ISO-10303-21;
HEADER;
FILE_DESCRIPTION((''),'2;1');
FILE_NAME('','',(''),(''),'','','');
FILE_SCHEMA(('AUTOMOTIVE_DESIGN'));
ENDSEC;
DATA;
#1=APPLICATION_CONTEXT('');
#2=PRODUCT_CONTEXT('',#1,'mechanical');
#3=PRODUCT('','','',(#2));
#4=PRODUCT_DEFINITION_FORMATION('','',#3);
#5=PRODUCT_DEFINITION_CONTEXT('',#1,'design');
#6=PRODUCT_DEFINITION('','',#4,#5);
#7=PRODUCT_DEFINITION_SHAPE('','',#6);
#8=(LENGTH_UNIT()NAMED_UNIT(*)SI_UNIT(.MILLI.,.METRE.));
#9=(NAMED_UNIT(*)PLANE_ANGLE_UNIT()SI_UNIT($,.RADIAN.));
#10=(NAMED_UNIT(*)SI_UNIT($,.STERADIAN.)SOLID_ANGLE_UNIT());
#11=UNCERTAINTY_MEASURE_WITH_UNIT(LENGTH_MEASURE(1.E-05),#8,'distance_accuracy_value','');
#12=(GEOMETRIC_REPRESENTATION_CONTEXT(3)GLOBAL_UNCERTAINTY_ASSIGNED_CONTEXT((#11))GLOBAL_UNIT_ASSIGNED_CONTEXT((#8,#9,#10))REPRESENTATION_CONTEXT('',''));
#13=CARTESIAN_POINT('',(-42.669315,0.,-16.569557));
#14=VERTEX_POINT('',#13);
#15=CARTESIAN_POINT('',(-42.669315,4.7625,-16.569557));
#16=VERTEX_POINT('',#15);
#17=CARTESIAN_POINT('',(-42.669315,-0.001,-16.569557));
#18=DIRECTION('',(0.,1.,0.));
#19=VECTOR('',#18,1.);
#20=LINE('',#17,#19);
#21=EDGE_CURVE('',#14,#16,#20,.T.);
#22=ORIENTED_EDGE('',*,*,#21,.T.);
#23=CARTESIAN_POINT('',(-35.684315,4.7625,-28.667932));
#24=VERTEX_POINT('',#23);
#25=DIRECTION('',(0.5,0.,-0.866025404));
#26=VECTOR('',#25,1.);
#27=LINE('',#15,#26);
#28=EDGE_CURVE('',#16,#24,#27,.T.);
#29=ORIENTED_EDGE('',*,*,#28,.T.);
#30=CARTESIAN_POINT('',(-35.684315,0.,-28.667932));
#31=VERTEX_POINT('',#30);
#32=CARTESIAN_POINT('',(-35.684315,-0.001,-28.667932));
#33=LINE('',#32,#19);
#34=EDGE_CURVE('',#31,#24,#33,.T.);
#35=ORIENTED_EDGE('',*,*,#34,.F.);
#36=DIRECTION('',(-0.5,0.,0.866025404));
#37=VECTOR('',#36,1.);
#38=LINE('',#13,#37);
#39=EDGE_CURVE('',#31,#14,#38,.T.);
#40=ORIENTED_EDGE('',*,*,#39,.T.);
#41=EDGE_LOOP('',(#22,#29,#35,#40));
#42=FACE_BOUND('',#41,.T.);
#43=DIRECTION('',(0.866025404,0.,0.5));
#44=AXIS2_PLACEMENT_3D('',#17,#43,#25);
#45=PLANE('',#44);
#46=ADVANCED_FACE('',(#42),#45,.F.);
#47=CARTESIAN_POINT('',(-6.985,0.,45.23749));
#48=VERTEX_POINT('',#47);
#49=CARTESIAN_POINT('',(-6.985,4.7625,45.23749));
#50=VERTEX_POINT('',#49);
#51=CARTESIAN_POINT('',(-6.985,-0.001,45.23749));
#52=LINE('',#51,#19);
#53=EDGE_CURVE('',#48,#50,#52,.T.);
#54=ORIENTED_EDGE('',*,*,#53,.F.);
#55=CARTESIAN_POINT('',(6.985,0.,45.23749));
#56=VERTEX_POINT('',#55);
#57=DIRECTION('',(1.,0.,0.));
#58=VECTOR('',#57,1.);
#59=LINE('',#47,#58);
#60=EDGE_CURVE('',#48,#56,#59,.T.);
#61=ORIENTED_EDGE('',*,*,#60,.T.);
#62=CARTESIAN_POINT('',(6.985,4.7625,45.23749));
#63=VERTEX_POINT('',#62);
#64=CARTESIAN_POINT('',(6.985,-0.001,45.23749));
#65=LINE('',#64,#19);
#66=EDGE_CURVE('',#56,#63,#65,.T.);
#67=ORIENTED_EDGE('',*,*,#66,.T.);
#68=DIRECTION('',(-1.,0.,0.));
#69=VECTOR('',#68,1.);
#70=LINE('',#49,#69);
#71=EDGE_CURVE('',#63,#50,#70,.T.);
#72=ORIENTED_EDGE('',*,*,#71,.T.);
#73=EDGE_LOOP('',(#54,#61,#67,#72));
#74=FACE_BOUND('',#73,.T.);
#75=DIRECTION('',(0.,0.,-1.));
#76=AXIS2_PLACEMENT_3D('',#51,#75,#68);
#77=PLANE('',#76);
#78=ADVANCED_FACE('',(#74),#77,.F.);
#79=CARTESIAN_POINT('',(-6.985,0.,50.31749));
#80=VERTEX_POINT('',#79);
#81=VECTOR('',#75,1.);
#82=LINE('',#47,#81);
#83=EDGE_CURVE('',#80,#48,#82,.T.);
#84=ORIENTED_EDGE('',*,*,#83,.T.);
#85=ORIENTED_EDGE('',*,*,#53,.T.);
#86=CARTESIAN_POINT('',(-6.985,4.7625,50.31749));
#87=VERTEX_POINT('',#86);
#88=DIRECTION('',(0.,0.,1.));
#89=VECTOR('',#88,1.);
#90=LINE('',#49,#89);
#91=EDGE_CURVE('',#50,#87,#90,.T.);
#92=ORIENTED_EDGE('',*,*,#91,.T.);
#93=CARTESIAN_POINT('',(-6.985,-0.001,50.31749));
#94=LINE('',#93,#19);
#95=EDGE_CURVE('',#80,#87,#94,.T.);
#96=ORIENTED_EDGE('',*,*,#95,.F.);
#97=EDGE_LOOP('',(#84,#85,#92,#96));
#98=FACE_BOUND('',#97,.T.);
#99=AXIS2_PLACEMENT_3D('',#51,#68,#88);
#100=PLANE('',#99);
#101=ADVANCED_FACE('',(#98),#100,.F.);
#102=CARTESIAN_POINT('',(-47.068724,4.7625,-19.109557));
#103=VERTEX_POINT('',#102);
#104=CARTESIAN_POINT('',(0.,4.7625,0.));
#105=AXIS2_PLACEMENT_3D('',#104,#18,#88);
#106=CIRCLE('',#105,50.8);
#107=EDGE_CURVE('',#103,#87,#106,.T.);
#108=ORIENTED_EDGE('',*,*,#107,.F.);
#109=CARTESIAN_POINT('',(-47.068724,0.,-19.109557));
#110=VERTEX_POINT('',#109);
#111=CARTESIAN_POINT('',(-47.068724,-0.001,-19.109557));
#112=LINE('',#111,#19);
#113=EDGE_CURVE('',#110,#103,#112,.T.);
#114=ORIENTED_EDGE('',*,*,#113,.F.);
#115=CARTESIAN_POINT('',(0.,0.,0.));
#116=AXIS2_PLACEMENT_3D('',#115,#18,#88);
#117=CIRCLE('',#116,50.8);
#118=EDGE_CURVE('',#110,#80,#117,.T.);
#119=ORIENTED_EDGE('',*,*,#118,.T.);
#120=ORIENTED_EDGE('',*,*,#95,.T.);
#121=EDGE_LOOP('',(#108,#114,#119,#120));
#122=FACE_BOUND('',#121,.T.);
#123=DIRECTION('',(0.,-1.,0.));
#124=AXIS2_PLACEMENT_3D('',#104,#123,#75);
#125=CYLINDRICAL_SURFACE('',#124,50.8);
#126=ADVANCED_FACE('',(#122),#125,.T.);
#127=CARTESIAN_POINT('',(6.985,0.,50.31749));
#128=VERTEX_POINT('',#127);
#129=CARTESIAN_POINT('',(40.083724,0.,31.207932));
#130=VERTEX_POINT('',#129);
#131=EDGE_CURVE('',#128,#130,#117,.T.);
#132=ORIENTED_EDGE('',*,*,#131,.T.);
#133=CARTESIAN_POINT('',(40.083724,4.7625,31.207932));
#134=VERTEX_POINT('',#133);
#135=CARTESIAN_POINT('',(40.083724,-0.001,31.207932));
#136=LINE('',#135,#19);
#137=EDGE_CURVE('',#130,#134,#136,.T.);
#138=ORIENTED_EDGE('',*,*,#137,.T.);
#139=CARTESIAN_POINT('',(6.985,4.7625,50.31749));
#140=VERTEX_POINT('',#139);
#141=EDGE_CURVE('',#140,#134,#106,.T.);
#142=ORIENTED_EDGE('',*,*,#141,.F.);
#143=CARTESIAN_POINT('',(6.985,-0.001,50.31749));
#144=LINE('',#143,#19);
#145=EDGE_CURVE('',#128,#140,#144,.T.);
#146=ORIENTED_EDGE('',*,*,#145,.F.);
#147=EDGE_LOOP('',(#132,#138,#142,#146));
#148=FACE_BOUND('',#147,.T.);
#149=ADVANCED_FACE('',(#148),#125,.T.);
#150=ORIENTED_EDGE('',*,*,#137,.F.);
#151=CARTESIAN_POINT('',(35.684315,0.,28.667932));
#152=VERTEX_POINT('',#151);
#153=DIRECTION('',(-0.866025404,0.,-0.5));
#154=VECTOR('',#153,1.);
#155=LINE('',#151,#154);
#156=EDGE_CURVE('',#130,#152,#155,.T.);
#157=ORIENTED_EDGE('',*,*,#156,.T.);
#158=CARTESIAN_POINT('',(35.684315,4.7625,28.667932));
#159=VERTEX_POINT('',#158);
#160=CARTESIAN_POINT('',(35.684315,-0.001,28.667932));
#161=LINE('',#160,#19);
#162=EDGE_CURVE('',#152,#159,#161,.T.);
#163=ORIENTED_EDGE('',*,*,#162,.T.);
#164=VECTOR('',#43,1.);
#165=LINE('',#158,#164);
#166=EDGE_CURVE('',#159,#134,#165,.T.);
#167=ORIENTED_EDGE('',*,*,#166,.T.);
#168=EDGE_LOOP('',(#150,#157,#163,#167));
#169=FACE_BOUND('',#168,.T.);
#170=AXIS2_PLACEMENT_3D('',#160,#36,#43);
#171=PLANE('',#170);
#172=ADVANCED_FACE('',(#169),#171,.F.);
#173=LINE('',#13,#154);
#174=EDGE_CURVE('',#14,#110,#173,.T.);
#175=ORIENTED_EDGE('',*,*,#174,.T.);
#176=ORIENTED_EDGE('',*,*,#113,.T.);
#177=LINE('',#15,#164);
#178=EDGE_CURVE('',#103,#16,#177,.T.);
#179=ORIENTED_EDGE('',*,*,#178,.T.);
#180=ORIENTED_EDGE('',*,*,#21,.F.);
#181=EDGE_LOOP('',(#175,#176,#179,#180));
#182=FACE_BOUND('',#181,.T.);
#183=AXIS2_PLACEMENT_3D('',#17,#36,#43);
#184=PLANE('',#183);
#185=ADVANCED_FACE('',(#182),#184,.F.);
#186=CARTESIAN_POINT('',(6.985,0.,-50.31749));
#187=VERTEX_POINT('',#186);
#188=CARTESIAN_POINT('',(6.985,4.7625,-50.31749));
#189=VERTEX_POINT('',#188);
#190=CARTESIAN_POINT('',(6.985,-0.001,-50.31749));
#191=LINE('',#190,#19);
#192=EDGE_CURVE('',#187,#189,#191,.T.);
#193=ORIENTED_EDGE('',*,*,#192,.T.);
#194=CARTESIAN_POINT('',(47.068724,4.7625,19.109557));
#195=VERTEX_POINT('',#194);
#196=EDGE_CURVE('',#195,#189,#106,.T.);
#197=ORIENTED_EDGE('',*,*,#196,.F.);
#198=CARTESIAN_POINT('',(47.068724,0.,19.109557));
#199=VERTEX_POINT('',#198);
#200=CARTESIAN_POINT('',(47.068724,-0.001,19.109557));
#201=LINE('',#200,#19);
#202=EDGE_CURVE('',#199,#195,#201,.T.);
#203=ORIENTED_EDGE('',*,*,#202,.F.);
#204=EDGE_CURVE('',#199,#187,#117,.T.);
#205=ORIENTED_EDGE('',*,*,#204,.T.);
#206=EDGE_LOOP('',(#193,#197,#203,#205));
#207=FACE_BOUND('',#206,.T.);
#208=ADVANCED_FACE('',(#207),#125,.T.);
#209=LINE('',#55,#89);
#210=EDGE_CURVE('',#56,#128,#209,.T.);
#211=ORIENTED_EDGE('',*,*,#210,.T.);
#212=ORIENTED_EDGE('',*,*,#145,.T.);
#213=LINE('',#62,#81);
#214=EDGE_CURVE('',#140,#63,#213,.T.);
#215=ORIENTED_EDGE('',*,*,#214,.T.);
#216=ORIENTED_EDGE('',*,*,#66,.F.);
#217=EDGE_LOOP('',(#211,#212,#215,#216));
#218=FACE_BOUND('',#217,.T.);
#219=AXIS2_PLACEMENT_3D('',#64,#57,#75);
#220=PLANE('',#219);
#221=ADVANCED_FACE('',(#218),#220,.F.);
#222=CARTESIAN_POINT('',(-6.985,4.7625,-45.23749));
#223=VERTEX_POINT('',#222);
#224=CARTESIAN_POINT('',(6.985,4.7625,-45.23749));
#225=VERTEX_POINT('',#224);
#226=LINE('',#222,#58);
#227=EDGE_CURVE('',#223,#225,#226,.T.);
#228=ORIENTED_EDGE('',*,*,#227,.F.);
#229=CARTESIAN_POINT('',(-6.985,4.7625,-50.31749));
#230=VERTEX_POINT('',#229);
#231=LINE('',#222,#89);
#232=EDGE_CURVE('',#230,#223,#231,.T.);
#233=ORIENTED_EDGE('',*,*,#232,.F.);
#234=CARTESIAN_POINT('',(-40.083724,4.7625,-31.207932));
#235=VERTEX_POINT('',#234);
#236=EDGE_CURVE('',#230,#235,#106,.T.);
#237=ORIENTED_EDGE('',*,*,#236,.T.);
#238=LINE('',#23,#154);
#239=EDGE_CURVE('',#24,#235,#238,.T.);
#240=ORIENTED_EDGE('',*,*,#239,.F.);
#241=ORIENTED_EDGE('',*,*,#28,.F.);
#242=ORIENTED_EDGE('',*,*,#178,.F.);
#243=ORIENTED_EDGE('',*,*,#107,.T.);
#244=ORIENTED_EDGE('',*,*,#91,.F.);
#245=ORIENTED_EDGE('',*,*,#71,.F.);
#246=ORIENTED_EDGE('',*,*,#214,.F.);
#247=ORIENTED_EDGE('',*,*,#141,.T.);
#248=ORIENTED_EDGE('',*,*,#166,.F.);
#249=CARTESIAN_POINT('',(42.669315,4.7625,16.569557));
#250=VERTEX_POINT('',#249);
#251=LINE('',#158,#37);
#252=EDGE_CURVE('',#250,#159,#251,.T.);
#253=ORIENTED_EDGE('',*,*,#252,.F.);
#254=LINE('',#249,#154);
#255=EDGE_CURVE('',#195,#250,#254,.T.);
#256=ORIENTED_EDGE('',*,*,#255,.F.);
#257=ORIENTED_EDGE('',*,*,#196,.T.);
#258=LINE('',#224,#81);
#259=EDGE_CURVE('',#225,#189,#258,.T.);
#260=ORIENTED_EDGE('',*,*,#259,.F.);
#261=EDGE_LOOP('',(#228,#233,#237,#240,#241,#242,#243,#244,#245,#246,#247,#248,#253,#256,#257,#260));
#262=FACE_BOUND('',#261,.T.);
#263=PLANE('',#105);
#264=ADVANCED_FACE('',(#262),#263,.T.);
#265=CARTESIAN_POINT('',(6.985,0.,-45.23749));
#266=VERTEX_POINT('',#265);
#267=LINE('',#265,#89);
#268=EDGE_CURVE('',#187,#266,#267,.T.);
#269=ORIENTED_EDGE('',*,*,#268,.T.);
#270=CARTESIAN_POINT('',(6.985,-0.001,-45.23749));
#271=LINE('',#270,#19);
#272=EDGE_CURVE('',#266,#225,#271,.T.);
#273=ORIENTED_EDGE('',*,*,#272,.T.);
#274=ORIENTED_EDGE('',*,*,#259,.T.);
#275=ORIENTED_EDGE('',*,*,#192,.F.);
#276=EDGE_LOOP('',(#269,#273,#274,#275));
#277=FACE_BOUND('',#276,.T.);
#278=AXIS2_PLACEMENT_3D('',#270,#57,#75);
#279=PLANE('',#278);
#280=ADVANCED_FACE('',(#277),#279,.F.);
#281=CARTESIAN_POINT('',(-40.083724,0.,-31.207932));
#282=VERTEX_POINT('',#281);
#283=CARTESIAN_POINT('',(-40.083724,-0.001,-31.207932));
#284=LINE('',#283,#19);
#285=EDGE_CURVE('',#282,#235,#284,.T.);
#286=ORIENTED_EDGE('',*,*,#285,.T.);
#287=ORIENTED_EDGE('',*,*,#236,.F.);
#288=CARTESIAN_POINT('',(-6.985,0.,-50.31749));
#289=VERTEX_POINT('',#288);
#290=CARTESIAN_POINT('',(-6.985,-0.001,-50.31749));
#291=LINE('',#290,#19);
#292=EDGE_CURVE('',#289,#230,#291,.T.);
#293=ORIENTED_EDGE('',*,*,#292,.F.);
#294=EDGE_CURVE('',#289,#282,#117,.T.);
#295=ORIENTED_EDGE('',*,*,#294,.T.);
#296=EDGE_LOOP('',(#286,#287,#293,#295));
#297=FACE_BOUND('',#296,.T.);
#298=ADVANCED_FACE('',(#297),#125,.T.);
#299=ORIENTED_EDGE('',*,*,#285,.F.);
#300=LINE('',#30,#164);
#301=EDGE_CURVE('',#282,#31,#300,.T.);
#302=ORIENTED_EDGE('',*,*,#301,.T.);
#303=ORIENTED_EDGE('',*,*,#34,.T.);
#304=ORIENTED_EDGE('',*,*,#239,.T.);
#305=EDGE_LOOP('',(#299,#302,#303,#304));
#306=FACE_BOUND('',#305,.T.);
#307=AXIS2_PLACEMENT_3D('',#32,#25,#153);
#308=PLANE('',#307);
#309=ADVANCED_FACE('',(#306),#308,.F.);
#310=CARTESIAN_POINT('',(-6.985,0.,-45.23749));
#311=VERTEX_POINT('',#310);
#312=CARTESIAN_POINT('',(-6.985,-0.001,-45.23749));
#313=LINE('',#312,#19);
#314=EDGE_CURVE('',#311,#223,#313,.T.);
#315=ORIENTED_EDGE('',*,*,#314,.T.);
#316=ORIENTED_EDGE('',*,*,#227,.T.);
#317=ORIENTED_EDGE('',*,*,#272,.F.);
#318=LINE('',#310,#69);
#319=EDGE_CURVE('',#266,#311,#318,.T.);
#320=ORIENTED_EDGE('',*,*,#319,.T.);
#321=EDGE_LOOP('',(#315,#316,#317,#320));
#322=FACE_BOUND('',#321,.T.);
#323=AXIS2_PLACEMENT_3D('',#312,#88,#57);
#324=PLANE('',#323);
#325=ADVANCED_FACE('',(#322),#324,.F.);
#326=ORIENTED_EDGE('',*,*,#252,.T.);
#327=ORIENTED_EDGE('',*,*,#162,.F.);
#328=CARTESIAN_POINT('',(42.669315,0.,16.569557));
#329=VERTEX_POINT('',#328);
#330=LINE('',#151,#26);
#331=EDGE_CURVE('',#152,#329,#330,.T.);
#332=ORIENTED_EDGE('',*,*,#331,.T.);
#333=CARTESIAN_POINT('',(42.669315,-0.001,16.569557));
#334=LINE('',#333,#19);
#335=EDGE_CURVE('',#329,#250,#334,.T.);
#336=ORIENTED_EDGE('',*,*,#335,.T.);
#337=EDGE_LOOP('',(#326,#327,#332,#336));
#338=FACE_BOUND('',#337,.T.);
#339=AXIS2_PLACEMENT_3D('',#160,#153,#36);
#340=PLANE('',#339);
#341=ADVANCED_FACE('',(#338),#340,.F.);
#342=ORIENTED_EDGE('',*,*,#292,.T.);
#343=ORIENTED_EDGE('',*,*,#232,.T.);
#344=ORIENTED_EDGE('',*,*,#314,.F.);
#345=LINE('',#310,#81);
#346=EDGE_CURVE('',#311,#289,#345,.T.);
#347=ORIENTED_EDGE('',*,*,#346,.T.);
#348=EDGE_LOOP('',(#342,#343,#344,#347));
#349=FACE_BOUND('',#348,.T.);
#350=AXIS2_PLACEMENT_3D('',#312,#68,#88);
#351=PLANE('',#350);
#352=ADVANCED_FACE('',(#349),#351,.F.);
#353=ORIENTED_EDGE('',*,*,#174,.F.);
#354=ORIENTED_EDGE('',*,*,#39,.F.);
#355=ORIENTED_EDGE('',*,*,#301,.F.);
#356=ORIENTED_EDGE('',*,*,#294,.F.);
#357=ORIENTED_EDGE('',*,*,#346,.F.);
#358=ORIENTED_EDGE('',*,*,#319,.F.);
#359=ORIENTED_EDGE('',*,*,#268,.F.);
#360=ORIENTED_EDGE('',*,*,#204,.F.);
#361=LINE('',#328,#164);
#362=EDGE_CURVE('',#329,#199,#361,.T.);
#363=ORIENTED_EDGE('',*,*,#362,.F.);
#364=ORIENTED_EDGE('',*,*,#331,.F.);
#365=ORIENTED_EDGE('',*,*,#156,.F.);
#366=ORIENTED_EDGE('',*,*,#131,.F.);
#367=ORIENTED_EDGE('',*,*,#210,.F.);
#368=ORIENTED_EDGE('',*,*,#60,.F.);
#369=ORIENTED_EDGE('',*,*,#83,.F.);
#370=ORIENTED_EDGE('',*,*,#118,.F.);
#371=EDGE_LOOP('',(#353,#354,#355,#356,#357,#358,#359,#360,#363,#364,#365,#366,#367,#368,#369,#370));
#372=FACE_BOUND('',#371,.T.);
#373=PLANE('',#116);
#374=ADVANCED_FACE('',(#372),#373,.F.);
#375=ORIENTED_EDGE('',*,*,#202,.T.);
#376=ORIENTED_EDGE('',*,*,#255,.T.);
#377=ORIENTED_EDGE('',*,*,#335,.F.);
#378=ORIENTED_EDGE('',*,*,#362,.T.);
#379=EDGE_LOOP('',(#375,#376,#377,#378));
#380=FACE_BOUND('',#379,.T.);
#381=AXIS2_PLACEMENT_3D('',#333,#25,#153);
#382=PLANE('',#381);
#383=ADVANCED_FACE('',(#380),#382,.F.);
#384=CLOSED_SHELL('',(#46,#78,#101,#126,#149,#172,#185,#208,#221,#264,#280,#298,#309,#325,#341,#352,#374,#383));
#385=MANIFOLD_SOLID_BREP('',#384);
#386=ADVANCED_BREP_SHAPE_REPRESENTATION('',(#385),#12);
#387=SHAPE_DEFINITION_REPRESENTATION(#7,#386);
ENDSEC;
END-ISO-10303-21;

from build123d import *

# Parameters (mm, degrees)
SKETCH1_R           = 50.8
BOSS_EXTRUDE1_DEPTH = 4.7625
CUT_EXTRUDE1_REACH  = 74
CUT_EXTRUDE2_REACH  = 73.66


with BuildPart() as part:
    # Sketch1 → Boss-Extrude1 (new body)
    with BuildSketch(Plane(origin=(0, 0, 0), x_dir=(1, 0, 0), z_dir=(0, 1, 0))):
        with Locations(Location((0, 0, 0), (0, 0, 90))):
            Circle(SKETCH1_R)
    extrude(amount=BOSS_EXTRUDE1_DEPTH)

    # Sketch2 → Cut-Extrude1 (cut, up to next)
    with BuildSketch(Plane(origin=(0, 4.7625, 0), x_dir=(1, 0, 0), z_dir=(0, 1, 0)), mode=Mode.PRIVATE) as cut_extrude1_sk1:
        with BuildLine():
            Line((-6.985, -45.237489753), (6.985, -45.237489753))
            Line((6.985, -45.237489753), (6.985, -50.317489753))
            ThreePointArc((6.985, -50.317489753), (0, -50.8), (-6.985, -50.317489753))
            Line((-6.985, -50.317489753), (-6.985, -45.237489753))
        make_face()
    cut_extrude1_tool1 = extrude(cut_extrude1_sk1.sketch, amount=-CUT_EXTRUDE1_REACH, mode=Mode.PRIVATE) & part.part
    # Sketch2 → Cut-Extrude1 (cut, up to next)
    with BuildSketch(Plane(origin=(0, 4.7625, 0), x_dir=(1, 0, 0), z_dir=(0, 1, 0)), mode=Mode.PRIVATE) as cut_extrude1_sk2:
        with BuildLine():
            Line((-6.985, 45.237489753), (-6.985, 50.317489753))
            ThreePointArc((-6.985, 50.317489753), (0, 50.8), (6.985, 50.317489753))
            Line((6.985, 50.317489753), (6.985, 45.237489753))
            Line((6.985, 45.237489753), (-6.985, 45.237489753))
        make_face()
    cut_extrude1_tool2 = extrude(cut_extrude1_sk2.sketch, amount=-CUT_EXTRUDE1_REACH, mode=Mode.PRIVATE) & part.part
    add(cut_extrude1_tool1.solids().sort_by_distance((0, 4.7625, 47.940393))[0], mode=Mode.SUBTRACT)
    add(cut_extrude1_tool2.solids().sort_by_distance((0, 4.7625, -47.940393))[0], mode=Mode.SUBTRACT)

    # Sketch3 → Cut-Extrude2 (cut, up to next)
    with BuildSketch(Plane(origin=(0, 4.7625, 0), x_dir=(1, 0, 0), z_dir=(0, 1, 0)), mode=Mode.PRIVATE) as cut_extrude2_sk1:
        with BuildLine():
            Line((35.684315329, -28.667932322), (42.669315329, -16.569557431))
            Line((42.669315329, -16.569557431), (47.06872438, -19.109557431))
            ThreePointArc((47.06872438, -19.109557431), (43.994090512, -25.4), (40.08372438, -31.207932322))
            Line((40.08372438, -31.207932322), (35.684315329, -28.667932322))
        make_face()
    cut_extrude2_tool1 = extrude(cut_extrude2_sk1.sketch, amount=-CUT_EXTRUDE2_REACH, mode=Mode.PRIVATE) & part.part
    # Sketch3 → Cut-Extrude2 (cut, up to next)
    with BuildSketch(Plane(origin=(0, 4.7625, 0), x_dir=(1, 0, 0), z_dir=(0, 1, 0)), mode=Mode.PRIVATE) as cut_extrude2_sk2:
        with BuildLine():
            Line((-35.684315329, 28.667932322), (-40.08372438, 31.207932322))
            ThreePointArc((-40.08372438, 31.207932322), (-43.994090512, 25.4), (-47.06872438, 19.109557431))
            Line((-47.06872438, 19.109557431), (-42.669315329, 16.569557431))
            Line((-42.669315329, 16.569557431), (-35.684315329, 28.667932322))
        make_face()
    cut_extrude2_tool2 = extrude(cut_extrude2_sk2.sketch, amount=-CUT_EXTRUDE2_REACH, mode=Mode.PRIVATE) & part.part
    add(cut_extrude2_tool1.solids().sort_by_distance((41.517598, 4.7625, 23.970196))[0], mode=Mode.SUBTRACT)
    add(cut_extrude2_tool2.solids().sort_by_distance((-41.517598, 4.7625, -23.970196))[0], mode=Mode.SUBTRACT)


solid = part.part
